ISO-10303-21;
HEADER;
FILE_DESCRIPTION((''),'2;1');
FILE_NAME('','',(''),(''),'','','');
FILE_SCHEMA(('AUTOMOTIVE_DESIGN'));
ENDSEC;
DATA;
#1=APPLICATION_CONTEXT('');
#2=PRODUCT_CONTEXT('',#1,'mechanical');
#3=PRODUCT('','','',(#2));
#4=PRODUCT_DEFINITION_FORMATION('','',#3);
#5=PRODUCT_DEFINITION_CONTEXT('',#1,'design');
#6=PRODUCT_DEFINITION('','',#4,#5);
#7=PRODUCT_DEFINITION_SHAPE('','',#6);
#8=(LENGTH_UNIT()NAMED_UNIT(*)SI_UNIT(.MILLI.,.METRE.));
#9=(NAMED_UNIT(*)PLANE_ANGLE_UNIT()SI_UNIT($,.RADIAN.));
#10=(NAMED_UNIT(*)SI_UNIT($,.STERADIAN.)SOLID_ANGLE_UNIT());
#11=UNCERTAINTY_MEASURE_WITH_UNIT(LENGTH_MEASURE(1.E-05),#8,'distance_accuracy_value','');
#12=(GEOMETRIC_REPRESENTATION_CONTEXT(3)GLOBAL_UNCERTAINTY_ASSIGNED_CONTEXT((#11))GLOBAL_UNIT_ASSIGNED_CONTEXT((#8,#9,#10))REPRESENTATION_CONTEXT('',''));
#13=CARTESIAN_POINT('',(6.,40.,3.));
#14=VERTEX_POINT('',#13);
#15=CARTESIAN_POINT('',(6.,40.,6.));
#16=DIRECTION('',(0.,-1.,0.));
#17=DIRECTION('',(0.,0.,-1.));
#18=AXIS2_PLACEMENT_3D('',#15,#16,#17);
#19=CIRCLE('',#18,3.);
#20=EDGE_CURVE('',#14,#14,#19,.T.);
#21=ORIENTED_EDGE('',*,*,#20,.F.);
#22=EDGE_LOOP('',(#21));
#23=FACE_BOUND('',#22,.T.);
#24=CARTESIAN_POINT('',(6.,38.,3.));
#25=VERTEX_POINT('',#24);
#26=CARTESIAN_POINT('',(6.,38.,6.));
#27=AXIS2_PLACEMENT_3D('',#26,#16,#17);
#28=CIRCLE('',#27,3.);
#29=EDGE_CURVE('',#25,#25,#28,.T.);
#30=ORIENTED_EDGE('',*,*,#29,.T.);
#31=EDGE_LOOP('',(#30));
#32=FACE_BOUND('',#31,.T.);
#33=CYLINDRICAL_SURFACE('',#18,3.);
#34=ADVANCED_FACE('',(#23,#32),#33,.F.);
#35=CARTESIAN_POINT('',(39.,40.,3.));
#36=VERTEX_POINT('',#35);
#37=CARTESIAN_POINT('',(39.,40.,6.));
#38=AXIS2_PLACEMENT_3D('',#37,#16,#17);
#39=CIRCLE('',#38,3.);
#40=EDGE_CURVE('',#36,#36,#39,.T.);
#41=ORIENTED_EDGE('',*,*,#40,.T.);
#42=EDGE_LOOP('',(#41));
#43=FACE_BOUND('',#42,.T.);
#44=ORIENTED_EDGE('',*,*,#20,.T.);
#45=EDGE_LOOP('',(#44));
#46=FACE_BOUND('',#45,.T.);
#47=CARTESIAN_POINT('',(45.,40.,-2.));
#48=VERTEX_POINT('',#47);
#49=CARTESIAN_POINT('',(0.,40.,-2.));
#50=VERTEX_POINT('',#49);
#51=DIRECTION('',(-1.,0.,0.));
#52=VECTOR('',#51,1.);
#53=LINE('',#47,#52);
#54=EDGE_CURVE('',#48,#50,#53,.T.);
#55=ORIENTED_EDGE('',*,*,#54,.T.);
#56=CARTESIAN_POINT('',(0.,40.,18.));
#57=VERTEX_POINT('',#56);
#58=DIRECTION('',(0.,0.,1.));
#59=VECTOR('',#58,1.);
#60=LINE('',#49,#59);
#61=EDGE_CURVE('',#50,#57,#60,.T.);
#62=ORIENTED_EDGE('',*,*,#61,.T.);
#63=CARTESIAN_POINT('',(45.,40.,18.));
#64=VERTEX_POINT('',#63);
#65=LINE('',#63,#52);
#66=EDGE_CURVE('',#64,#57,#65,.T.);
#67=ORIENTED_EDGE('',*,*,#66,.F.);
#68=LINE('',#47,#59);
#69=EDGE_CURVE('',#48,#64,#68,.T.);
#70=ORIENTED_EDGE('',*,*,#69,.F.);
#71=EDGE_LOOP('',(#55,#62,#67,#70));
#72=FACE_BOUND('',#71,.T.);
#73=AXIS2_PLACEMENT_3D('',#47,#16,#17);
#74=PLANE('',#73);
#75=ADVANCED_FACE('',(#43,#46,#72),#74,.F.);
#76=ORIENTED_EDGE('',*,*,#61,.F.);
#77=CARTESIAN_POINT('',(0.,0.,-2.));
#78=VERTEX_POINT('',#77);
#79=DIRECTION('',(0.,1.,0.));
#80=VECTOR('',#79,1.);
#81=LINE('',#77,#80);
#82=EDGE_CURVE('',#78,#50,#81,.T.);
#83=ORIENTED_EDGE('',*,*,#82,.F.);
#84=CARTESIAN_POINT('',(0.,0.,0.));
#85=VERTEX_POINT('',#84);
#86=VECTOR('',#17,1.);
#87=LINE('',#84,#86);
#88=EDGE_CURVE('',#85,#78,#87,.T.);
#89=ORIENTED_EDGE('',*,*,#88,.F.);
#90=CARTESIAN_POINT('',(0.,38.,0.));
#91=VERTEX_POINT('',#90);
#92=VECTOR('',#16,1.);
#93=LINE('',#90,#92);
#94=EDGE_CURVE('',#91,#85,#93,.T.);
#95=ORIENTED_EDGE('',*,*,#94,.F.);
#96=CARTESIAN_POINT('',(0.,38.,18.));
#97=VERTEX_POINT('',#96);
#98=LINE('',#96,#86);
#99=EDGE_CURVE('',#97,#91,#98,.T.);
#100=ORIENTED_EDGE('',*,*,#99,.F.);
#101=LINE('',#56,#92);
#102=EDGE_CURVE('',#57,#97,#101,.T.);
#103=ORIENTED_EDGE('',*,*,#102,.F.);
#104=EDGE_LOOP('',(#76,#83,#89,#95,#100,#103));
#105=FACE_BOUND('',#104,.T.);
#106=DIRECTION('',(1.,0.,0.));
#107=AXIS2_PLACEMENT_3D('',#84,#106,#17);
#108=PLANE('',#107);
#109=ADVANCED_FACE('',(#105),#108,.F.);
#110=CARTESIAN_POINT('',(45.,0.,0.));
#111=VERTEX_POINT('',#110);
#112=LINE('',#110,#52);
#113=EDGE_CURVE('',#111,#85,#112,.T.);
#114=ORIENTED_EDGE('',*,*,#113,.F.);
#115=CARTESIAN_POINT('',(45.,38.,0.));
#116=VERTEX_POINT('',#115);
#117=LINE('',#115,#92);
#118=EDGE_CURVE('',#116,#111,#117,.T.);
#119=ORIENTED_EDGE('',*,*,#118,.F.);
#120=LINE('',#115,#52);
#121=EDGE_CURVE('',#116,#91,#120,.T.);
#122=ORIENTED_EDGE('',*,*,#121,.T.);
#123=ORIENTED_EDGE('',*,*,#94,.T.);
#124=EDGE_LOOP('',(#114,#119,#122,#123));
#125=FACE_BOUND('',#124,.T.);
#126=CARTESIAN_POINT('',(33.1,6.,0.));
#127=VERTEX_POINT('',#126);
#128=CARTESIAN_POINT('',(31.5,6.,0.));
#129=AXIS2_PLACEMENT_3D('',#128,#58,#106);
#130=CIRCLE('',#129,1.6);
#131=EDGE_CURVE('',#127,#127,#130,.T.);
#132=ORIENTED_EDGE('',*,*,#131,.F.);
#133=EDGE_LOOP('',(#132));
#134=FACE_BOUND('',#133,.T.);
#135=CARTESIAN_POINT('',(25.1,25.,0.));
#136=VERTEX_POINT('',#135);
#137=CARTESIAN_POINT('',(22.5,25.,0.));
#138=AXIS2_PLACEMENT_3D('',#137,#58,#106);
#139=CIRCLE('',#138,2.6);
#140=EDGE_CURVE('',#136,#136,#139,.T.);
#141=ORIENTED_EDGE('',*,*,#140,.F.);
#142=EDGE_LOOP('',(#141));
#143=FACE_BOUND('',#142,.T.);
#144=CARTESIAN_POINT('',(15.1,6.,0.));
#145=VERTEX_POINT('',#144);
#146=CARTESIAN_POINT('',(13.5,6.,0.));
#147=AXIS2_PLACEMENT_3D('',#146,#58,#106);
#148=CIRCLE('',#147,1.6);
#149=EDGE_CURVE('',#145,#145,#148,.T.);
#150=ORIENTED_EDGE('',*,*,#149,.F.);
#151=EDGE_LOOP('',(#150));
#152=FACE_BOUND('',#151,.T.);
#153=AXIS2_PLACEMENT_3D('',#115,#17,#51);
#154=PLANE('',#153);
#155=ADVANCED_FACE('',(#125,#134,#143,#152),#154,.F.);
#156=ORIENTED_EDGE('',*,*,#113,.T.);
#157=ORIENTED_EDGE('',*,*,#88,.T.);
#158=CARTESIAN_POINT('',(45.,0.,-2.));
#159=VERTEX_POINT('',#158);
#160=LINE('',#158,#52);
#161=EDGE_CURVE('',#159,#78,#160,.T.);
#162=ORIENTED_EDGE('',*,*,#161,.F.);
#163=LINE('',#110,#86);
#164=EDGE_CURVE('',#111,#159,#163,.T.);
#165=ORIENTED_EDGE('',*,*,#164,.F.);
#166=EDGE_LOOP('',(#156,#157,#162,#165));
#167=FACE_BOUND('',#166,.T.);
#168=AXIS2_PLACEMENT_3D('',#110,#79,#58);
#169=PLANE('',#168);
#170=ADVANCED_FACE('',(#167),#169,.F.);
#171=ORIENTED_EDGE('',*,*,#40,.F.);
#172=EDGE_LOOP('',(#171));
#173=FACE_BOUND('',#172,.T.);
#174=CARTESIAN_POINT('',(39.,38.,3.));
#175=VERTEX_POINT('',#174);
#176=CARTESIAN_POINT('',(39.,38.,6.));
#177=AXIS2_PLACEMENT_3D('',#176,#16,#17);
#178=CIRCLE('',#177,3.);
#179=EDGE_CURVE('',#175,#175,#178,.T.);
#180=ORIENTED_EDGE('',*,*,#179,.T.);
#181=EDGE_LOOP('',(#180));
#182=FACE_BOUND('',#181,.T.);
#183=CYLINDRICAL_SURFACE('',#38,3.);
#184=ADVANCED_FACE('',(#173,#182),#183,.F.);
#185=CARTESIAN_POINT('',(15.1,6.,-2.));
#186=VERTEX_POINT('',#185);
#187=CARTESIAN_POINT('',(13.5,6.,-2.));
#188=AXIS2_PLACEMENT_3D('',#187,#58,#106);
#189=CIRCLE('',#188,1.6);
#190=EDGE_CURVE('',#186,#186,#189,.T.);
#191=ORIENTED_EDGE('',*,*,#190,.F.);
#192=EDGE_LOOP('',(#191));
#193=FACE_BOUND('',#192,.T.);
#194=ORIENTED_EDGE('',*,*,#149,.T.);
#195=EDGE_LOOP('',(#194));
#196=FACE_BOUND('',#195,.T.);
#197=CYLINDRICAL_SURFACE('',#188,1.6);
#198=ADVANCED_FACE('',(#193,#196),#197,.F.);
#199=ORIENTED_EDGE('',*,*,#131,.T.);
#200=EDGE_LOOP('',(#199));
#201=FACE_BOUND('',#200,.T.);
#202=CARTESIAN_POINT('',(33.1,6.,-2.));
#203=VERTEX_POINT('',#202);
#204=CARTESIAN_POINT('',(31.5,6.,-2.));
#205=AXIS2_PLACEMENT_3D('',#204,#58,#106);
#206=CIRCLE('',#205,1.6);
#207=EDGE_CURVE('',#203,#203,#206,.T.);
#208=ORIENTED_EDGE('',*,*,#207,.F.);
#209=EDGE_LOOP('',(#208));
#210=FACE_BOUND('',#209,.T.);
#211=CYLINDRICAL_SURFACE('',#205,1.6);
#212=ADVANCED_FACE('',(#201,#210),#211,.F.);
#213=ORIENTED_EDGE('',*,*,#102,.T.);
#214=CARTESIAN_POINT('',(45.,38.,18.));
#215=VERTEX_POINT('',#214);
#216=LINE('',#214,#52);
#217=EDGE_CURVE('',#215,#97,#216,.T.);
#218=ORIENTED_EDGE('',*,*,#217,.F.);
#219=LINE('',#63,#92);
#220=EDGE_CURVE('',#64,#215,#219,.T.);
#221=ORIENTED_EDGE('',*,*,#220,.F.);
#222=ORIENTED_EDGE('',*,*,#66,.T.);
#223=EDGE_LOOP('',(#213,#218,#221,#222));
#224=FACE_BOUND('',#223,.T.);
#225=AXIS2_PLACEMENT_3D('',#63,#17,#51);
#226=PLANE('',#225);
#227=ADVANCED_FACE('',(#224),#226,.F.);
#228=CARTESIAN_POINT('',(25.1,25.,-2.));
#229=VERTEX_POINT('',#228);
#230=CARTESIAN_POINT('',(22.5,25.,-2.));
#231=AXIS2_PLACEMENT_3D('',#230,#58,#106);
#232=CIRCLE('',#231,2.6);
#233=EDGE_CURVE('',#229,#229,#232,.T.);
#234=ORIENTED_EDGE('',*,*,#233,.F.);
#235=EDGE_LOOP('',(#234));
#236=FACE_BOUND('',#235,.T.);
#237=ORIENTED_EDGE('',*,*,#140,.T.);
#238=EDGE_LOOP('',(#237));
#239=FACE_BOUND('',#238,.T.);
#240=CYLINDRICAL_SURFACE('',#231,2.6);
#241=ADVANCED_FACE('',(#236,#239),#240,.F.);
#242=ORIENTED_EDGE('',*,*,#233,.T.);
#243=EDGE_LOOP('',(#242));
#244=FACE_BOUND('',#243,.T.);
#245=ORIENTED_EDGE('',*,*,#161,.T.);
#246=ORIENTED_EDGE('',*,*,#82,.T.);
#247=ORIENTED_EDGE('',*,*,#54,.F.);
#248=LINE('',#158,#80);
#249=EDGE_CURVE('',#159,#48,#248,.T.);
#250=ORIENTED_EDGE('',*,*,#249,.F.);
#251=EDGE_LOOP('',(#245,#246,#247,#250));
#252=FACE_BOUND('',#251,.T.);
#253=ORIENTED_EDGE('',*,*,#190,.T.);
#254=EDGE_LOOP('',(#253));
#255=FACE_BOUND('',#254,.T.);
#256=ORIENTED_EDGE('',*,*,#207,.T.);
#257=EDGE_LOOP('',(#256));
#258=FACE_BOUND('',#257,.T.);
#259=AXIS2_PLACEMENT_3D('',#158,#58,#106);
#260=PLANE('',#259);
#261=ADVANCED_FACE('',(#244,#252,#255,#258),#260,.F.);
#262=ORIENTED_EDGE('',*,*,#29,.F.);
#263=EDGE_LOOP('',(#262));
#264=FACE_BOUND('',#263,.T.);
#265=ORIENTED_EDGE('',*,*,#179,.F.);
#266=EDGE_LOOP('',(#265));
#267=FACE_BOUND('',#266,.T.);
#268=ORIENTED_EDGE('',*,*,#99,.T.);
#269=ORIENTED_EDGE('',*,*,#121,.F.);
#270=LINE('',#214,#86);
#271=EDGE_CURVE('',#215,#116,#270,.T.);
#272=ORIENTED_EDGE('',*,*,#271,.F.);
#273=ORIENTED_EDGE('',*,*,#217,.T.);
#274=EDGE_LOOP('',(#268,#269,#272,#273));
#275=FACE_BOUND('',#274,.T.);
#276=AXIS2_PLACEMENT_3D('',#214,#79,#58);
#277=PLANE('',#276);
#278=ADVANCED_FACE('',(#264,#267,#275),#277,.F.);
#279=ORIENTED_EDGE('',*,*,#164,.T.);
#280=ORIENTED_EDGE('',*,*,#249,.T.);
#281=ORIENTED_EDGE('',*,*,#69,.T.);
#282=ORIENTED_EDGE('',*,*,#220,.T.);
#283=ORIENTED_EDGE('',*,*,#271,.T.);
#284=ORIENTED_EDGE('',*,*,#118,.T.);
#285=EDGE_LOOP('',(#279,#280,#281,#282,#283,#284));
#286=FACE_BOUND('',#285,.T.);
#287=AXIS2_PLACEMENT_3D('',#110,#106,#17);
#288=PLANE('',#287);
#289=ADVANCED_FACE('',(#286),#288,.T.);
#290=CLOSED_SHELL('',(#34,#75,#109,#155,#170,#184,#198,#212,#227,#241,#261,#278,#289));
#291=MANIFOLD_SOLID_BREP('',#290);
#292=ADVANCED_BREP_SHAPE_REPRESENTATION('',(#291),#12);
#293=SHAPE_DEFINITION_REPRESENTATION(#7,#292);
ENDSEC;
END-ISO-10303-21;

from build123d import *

# Parameters (mm, degrees)
EXTRUDE_1_DEPTH     = 45
SKETCH_2_R          = 3
CUT_EXTRUDE_1_DEPTH = 3
SKETCH_3_R          = 2.6
CUT_EXTRUDE_2_DEPTH = 3
SKETCH_4_R          = 1.6
CUT_EXTRUDE_3_DEPTH = 3


with BuildPart() as part:
    # ｽｹｯﾁ1 → ﾎﾞｽ - 押し出し1 (new body)
    with BuildSketch(Plane(origin=(0, 0, 0), x_dir=(0, 0, -1), z_dir=(1, 0, 0))):
        Polygon((-18, 40), (-18, 38), (0, 38), (0, 0), (2, 0), (2, 40), align=None)
    extrude(amount=EXTRUDE_1_DEPTH)

    # ｽｹｯﾁ2 → ｶｯﾄ - 押し出し1 (cut, through all)
    with BuildSketch(Plane.XZ.offset(-38)):
        with Locations((6, 6)):
            Circle(SKETCH_2_R)
        with Locations((39, 6)):
            Circle(SKETCH_2_R)
    extrude(amount=-CUT_EXTRUDE_1_DEPTH, mode=Mode.SUBTRACT)

    # ｽｹｯﾁ3 → ｶｯﾄ - 押し出し2 (cut, through all)
    with BuildSketch(Plane.XY):
        with Locations((22.5, 25)):
            Circle(SKETCH_3_R)
    extrude(amount=-CUT_EXTRUDE_2_DEPTH, mode=Mode.SUBTRACT)

    # ｽｹｯﾁ4 → ｶｯﾄ - 押し出し3 (cut, through all)
    with BuildSketch(Plane.XY):
        with Locations((13.5, 6)):
            Circle(SKETCH_4_R)
        with Locations((31.5, 6)):
            Circle(SKETCH_4_R)
    extrude(amount=-CUT_EXTRUDE_3_DEPTH, mode=Mode.SUBTRACT)


solid = part.part
